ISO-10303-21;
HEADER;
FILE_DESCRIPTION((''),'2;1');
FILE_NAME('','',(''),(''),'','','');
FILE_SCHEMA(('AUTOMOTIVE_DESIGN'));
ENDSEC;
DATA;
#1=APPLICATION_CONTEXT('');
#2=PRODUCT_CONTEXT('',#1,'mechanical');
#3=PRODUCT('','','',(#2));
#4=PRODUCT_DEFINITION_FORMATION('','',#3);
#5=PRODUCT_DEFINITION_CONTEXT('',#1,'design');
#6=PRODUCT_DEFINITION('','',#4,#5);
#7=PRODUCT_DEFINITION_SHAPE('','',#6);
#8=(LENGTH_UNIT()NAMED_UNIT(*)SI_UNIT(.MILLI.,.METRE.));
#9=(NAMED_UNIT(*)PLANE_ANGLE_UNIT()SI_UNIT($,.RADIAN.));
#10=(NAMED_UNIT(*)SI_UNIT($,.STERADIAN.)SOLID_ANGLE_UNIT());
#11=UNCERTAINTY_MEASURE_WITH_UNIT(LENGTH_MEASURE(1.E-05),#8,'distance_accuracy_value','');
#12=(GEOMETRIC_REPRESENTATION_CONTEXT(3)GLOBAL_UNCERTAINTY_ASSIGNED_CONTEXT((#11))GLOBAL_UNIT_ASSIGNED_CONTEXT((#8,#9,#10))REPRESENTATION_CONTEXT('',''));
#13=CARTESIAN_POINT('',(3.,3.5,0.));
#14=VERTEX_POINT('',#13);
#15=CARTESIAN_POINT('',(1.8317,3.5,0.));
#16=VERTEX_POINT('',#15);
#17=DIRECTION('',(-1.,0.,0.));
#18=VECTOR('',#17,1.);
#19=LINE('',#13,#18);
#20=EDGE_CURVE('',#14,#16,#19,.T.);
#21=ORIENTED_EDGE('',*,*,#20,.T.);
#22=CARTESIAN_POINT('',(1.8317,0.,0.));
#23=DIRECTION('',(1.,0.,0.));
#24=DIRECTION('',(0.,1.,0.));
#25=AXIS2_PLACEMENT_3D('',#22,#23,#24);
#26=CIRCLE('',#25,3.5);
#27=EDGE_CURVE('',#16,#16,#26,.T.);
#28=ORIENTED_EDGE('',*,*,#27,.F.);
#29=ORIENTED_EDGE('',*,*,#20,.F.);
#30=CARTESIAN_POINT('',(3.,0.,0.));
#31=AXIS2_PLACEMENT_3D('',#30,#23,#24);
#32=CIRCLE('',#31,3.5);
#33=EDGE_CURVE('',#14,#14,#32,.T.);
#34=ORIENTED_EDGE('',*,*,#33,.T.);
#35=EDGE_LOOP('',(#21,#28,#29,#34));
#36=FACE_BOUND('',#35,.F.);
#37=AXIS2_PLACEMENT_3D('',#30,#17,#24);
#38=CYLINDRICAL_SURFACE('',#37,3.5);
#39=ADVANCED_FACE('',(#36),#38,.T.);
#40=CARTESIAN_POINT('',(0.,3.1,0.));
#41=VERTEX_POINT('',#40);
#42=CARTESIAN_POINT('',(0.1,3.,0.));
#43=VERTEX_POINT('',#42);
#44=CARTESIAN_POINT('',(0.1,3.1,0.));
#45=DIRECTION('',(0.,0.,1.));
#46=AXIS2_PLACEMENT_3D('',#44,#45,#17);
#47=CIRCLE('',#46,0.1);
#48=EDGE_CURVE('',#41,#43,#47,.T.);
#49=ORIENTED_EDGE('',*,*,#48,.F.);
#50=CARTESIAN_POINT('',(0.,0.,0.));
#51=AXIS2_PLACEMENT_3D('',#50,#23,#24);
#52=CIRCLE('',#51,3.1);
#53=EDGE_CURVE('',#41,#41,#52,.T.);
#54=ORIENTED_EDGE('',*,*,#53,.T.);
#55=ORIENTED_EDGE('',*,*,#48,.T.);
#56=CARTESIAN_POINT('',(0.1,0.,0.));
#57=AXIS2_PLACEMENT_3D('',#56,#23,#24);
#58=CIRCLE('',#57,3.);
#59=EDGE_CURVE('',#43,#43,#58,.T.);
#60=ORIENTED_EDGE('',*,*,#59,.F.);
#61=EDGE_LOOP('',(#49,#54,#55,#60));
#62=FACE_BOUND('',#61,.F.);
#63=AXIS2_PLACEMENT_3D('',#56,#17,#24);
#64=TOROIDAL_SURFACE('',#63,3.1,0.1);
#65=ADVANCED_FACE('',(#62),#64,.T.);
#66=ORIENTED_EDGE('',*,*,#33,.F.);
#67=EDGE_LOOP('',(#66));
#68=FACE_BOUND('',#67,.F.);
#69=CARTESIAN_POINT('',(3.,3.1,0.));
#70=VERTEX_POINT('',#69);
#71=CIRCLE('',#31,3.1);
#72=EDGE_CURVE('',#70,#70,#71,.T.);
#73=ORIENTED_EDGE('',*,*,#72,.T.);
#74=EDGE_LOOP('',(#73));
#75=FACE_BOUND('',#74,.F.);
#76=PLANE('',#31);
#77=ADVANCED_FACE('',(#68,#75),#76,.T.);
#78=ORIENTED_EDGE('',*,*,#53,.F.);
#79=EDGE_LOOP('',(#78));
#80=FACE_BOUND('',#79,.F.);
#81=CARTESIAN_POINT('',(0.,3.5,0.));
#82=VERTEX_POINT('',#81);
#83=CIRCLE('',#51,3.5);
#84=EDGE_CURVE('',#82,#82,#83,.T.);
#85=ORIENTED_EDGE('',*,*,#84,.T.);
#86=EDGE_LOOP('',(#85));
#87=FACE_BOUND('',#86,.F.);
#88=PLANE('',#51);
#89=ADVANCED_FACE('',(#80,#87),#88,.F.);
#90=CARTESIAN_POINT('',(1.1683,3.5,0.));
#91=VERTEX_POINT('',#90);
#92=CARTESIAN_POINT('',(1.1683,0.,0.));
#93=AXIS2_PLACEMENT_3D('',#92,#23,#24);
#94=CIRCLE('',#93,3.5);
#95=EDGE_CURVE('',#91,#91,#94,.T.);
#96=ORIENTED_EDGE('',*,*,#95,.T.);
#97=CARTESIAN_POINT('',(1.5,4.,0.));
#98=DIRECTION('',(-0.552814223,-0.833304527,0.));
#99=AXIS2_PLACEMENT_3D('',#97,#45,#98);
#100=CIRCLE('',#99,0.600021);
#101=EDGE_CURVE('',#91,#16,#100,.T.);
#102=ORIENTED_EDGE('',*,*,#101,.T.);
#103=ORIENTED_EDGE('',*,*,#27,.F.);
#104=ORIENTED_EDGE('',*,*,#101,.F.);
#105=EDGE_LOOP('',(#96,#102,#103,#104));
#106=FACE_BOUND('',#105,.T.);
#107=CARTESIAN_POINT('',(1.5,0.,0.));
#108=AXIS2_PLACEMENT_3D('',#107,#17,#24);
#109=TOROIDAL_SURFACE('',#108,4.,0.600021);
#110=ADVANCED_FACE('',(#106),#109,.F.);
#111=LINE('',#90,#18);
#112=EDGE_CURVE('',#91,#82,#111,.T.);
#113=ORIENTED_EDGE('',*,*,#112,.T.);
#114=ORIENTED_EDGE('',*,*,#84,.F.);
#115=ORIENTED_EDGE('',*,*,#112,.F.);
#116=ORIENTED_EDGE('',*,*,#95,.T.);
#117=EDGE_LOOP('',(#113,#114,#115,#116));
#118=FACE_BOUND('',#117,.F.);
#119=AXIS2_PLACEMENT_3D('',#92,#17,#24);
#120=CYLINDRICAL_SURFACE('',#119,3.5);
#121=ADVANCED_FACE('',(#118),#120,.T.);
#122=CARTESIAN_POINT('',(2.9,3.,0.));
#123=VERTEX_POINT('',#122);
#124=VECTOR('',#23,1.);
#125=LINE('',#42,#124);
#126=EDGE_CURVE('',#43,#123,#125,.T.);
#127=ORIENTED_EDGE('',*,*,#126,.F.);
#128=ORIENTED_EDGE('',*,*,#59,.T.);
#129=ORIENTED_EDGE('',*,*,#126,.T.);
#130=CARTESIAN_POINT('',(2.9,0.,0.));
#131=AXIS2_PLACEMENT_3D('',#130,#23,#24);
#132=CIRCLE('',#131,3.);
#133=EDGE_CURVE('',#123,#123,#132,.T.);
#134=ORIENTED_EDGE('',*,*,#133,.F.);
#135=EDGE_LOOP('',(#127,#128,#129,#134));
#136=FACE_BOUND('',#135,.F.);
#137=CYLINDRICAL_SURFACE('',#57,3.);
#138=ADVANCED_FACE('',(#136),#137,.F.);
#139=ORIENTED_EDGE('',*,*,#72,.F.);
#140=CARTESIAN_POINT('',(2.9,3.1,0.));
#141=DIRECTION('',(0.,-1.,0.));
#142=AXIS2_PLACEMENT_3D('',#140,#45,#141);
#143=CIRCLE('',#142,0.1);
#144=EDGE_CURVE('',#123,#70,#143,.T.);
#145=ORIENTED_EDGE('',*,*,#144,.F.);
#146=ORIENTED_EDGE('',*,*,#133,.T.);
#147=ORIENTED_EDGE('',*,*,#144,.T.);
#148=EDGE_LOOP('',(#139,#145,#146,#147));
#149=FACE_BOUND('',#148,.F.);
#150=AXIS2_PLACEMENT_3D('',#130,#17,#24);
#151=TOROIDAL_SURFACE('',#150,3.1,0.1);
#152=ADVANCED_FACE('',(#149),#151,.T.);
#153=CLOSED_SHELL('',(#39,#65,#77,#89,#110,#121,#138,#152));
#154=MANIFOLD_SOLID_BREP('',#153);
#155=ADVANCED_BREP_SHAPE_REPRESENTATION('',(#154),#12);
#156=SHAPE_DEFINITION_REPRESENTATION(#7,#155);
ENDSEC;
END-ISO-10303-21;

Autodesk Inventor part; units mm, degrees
sketch "Sketch_1" plane through (0, 0, 0) normal (0, 0, 1) x (1, 0, 0)
  line L0 (3, 0) -> (0, 0)
  arc A0 (0, 3.1) -> (0.1, 3) centre (0.1, 3.1) ccw
  line L1 (0.1, 3) -> (2.9, 3)
  arc A1 (2.9, 3) -> (3, 3.1) centre (2.9, 3.1) ccw
  line L2 (3, 3.1) -> (3, 3.5)
  line L3 (3, 3.5) -> (1.8317, 3.5)
  arc A2 (1.1683, 3.5) -> (1.8317, 3.5) centre (1.5, 4) ccw
  line L4 (1.1683, 3.5) -> (0, 3.5)
  line L5 (0, 3.5) -> (0, 3.1)
revolve "Revolution1" add sketch "Sketch_1" angle 360 about axis through (3, 0, 0) along (1, 0, 0)
ref_plane "ip_st_1_1_XY" through (1.5, 4, 0) normal (1, 0, 0) x (0, 0, -1)
ref_plane "ip_st_1_1_YZ" through (1.5, 4, 0) normal (0, 0, -1) x (0, 1, 0)
ref_plane "ip_st_1_1_ZX" through (1.5, 4, 0) normal (0, 1, 0) x (1, 0, 0)
ref_plane "ip_st_1_10_XY" through (1.5, -3.6955, -1.5307) normal (1, 0, 0) x (0, 0, -1)
ref_plane "ip_st_1_10_YZ" through (1.5, -3.6955, -1.5307) normal (0, 0, -1) x (0, 1, 0)
ref_plane "ip_st_1_10_ZX" through (1.5, -3.6955, -1.5307) normal (0, 1, 0) x (1, 0, 0)
ref_plane "ip_st_1_11_XY" through (1.5, -2.8284, -2.8284) normal (1, 0, 0) x (0, 0, -1)
ref_plane "ip_st_1_11_YZ" through (1.5, -2.8284, -2.8284) normal (0, 0, -1) x (0, 1, 0)
ref_plane "ip_st_1_11_ZX" through (1.5, -2.8284, -2.8284) normal (0, 1, 0) x (1, 0, 0)
ref_plane "ip_st_1_12_XY" through (1.5, -1.5307, -3.6955) normal (1, 0, 0) x (0, 0, -1)
ref_plane "ip_st_1_12_YZ" through (1.5, -1.5307, -3.6955) normal (0, 0, -1) x (0, 1, 0)
ref_plane "ip_st_1_12_ZX" through (1.5, -1.5307, -3.6955) normal (0, 1, 0) x (1, 0, 0)
ref_plane "ip_st_1_13_XY" through (1.5, 0, -4) normal (1, 0, 0) x (0, 0, -1)
ref_plane "ip_st_1_13_YZ" through (1.5, 0, -4) normal (0, 0, -1) x (0, 1, 0)
ref_plane "ip_st_1_13_ZX" through (1.5, 0, -4) normal (0, 1, 0) x (1, 0, 0)
ref_plane "ip_st_1_14_XY" through (1.5, 1.5307, -3.6955) normal (1, 0, 0) x (0, 0, -1)
ref_plane "ip_st_1_14_YZ" through (1.5, 1.5307, -3.6955) normal (0, 0, -1) x (0, 1, 0)
ref_plane "ip_st_1_14_ZX" through (1.5, 1.5307, -3.6955) normal (0, 1, 0) x (1, 0, 0)
ref_plane "ip_st_1_15_XY" through (1.5, 2.8284, -2.8284) normal (1, 0, 0) x (0, 0, -1)
ref_plane "ip_st_1_15_YZ" through (1.5, 2.8284, -2.8284) normal (0, 0, -1) x (0, 1, 0)
ref_plane "ip_st_1_15_ZX" through (1.5, 2.8284, -2.8284) normal (0, 1, 0) x (1, 0, 0)
ref_plane "ip_st_1_16_XY" through (1.5, 3.6955, -1.5307) normal (1, 0, 0) x (0, 0, -1)
ref_plane "ip_st_1_16_YZ" through (1.5, 3.6955, -1.5307) normal (0, 0, -1) x (0, 1, 0)
ref_plane "ip_st_1_16_ZX" through (1.5, 3.6955, -1.5307) normal (0, 1, 0) x (1, 0, 0)
ref_plane "ip_st_1_2_XY" through (1.5, 3.6955, 1.5307) normal (1, 0, 0) x (0, 0, -1)
ref_plane "ip_st_1_2_YZ" through (1.5, 3.6955, 1.5307) normal (0, 0, -1) x (0, 1, 0)
ref_plane "ip_st_1_2_ZX" through (1.5, 3.6955, 1.5307) normal (0, 1, 0) x (1, 0, 0)
ref_plane "ip_st_1_3_XY" through (1.5, 2.8284, 2.8284) normal (1, 0, 0) x (0, 0, -1)
ref_plane "ip_st_1_3_YZ" through (1.5, 2.8284, 2.8284) normal (0, 0, -1) x (0, 1, 0)
ref_plane "ip_st_1_3_ZX" through (1.5, 2.8284, 2.8284) normal (0, 1, 0) x (1, 0, 0)
ref_plane "ip_st_1_4_XY" through (1.5, 1.5307, 3.6955) normal (1, 0, 0) x (0, 0, -1)
ref_plane "ip_st_1_4_YZ" through (1.5, 1.5307, 3.6955) normal (0, 0, -1) x (0, 1, 0)
ref_plane "ip_st_1_4_ZX" through (1.5, 1.5307, 3.6955) normal (0, 1, 0) x (1, 0, 0)
ref_plane "ip_st_1_5_XY" through (1.5, 0, 4) normal (1, 0, 0) x (0, 0, -1)
ref_plane "ip_st_1_5_YZ" through (1.5, 0, 4) normal (0, 0, -1) x (0, 1, 0)
ref_plane "ip_st_1_5_ZX" through (1.5, 0, 4) normal (0, 1, 0) x (1, 0, 0)
ref_plane "ip_st_1_6_XY" through (1.5, -1.5307, 3.6955) normal (1, 0, 0) x (0, 0, -1)
ref_plane "ip_st_1_6_YZ" through (1.5, -1.5307, 3.6955) normal (0, 0, -1) x (0, 1, 0)
ref_plane "ip_st_1_6_ZX" through (1.5, -1.5307, 3.6955) normal (0, 1, 0) x (1, 0, 0)
ref_plane "ip_st_1_7_XY" through (1.5, -2.8284, 2.8284) normal (1, 0, 0) x (0, 0, -1)
ref_plane "ip_st_1_7_YZ" through (1.5, -2.8284, 2.8284) normal (0, 0, -1) x (0, 1, 0)
ref_plane "ip_st_1_7_ZX" through (1.5, -2.8284, 2.8284) normal (0, 1, 0) x (1, 0, 0)
ref_plane "ip_st_1_8_XY" through (1.5, -3.6955, 1.5307) normal (1, 0, 0) x (0, 0, -1)
ref_plane "ip_st_1_8_YZ" through (1.5, -3.6955, 1.5307) normal (0, 0, -1) x (0, 1, 0)
ref_plane "ip_st_1_8_ZX" through (1.5, -3.6955, 1.5307) normal (0, 1, 0) x (1, 0, 0)
ref_plane "ip_st_1_9_XY" through (1.5, -4, 0) normal (1, 0, 0) x (0, 0, -1)
ref_plane "ip_st_1_9_YZ" through (1.5, -4, 0) normal (0, 0, -1) x (0, 1, 0)
ref_plane "ip_st_1_9_ZX" through (1.5, -4, 0) normal (0, 1, 0) x (1, 0, 0)
ref_plane "ip_st_1a_XY" through (0, 0, 0) normal (1, 0, 0) x (0, 0, -1)
ref_plane "ip_st_1a_YZ" through (0, 0, 0) normal (0, 0, -1) x (0, 1, 0)
ref_plane "ip_st_1a_ZX" through (0, 0, 0) normal (0, 1, 0) x (1, 0, 0)
ref_plane "ip_st_2a_XY" through (0.1875, 0, 0) normal (1, 0, 0) x (0, 0, -1)
ref_plane "ip_st_2a_YZ" through (0.1875, 0, 0) normal (0, 0, -1) x (0, 1, 0)
ref_plane "ip_st_2a_ZX" through (0.1875, 0, 0) normal (0, 1, 0) x (1, 0, 0)
properties part number "MF106ZZ1 Inner Ring"
